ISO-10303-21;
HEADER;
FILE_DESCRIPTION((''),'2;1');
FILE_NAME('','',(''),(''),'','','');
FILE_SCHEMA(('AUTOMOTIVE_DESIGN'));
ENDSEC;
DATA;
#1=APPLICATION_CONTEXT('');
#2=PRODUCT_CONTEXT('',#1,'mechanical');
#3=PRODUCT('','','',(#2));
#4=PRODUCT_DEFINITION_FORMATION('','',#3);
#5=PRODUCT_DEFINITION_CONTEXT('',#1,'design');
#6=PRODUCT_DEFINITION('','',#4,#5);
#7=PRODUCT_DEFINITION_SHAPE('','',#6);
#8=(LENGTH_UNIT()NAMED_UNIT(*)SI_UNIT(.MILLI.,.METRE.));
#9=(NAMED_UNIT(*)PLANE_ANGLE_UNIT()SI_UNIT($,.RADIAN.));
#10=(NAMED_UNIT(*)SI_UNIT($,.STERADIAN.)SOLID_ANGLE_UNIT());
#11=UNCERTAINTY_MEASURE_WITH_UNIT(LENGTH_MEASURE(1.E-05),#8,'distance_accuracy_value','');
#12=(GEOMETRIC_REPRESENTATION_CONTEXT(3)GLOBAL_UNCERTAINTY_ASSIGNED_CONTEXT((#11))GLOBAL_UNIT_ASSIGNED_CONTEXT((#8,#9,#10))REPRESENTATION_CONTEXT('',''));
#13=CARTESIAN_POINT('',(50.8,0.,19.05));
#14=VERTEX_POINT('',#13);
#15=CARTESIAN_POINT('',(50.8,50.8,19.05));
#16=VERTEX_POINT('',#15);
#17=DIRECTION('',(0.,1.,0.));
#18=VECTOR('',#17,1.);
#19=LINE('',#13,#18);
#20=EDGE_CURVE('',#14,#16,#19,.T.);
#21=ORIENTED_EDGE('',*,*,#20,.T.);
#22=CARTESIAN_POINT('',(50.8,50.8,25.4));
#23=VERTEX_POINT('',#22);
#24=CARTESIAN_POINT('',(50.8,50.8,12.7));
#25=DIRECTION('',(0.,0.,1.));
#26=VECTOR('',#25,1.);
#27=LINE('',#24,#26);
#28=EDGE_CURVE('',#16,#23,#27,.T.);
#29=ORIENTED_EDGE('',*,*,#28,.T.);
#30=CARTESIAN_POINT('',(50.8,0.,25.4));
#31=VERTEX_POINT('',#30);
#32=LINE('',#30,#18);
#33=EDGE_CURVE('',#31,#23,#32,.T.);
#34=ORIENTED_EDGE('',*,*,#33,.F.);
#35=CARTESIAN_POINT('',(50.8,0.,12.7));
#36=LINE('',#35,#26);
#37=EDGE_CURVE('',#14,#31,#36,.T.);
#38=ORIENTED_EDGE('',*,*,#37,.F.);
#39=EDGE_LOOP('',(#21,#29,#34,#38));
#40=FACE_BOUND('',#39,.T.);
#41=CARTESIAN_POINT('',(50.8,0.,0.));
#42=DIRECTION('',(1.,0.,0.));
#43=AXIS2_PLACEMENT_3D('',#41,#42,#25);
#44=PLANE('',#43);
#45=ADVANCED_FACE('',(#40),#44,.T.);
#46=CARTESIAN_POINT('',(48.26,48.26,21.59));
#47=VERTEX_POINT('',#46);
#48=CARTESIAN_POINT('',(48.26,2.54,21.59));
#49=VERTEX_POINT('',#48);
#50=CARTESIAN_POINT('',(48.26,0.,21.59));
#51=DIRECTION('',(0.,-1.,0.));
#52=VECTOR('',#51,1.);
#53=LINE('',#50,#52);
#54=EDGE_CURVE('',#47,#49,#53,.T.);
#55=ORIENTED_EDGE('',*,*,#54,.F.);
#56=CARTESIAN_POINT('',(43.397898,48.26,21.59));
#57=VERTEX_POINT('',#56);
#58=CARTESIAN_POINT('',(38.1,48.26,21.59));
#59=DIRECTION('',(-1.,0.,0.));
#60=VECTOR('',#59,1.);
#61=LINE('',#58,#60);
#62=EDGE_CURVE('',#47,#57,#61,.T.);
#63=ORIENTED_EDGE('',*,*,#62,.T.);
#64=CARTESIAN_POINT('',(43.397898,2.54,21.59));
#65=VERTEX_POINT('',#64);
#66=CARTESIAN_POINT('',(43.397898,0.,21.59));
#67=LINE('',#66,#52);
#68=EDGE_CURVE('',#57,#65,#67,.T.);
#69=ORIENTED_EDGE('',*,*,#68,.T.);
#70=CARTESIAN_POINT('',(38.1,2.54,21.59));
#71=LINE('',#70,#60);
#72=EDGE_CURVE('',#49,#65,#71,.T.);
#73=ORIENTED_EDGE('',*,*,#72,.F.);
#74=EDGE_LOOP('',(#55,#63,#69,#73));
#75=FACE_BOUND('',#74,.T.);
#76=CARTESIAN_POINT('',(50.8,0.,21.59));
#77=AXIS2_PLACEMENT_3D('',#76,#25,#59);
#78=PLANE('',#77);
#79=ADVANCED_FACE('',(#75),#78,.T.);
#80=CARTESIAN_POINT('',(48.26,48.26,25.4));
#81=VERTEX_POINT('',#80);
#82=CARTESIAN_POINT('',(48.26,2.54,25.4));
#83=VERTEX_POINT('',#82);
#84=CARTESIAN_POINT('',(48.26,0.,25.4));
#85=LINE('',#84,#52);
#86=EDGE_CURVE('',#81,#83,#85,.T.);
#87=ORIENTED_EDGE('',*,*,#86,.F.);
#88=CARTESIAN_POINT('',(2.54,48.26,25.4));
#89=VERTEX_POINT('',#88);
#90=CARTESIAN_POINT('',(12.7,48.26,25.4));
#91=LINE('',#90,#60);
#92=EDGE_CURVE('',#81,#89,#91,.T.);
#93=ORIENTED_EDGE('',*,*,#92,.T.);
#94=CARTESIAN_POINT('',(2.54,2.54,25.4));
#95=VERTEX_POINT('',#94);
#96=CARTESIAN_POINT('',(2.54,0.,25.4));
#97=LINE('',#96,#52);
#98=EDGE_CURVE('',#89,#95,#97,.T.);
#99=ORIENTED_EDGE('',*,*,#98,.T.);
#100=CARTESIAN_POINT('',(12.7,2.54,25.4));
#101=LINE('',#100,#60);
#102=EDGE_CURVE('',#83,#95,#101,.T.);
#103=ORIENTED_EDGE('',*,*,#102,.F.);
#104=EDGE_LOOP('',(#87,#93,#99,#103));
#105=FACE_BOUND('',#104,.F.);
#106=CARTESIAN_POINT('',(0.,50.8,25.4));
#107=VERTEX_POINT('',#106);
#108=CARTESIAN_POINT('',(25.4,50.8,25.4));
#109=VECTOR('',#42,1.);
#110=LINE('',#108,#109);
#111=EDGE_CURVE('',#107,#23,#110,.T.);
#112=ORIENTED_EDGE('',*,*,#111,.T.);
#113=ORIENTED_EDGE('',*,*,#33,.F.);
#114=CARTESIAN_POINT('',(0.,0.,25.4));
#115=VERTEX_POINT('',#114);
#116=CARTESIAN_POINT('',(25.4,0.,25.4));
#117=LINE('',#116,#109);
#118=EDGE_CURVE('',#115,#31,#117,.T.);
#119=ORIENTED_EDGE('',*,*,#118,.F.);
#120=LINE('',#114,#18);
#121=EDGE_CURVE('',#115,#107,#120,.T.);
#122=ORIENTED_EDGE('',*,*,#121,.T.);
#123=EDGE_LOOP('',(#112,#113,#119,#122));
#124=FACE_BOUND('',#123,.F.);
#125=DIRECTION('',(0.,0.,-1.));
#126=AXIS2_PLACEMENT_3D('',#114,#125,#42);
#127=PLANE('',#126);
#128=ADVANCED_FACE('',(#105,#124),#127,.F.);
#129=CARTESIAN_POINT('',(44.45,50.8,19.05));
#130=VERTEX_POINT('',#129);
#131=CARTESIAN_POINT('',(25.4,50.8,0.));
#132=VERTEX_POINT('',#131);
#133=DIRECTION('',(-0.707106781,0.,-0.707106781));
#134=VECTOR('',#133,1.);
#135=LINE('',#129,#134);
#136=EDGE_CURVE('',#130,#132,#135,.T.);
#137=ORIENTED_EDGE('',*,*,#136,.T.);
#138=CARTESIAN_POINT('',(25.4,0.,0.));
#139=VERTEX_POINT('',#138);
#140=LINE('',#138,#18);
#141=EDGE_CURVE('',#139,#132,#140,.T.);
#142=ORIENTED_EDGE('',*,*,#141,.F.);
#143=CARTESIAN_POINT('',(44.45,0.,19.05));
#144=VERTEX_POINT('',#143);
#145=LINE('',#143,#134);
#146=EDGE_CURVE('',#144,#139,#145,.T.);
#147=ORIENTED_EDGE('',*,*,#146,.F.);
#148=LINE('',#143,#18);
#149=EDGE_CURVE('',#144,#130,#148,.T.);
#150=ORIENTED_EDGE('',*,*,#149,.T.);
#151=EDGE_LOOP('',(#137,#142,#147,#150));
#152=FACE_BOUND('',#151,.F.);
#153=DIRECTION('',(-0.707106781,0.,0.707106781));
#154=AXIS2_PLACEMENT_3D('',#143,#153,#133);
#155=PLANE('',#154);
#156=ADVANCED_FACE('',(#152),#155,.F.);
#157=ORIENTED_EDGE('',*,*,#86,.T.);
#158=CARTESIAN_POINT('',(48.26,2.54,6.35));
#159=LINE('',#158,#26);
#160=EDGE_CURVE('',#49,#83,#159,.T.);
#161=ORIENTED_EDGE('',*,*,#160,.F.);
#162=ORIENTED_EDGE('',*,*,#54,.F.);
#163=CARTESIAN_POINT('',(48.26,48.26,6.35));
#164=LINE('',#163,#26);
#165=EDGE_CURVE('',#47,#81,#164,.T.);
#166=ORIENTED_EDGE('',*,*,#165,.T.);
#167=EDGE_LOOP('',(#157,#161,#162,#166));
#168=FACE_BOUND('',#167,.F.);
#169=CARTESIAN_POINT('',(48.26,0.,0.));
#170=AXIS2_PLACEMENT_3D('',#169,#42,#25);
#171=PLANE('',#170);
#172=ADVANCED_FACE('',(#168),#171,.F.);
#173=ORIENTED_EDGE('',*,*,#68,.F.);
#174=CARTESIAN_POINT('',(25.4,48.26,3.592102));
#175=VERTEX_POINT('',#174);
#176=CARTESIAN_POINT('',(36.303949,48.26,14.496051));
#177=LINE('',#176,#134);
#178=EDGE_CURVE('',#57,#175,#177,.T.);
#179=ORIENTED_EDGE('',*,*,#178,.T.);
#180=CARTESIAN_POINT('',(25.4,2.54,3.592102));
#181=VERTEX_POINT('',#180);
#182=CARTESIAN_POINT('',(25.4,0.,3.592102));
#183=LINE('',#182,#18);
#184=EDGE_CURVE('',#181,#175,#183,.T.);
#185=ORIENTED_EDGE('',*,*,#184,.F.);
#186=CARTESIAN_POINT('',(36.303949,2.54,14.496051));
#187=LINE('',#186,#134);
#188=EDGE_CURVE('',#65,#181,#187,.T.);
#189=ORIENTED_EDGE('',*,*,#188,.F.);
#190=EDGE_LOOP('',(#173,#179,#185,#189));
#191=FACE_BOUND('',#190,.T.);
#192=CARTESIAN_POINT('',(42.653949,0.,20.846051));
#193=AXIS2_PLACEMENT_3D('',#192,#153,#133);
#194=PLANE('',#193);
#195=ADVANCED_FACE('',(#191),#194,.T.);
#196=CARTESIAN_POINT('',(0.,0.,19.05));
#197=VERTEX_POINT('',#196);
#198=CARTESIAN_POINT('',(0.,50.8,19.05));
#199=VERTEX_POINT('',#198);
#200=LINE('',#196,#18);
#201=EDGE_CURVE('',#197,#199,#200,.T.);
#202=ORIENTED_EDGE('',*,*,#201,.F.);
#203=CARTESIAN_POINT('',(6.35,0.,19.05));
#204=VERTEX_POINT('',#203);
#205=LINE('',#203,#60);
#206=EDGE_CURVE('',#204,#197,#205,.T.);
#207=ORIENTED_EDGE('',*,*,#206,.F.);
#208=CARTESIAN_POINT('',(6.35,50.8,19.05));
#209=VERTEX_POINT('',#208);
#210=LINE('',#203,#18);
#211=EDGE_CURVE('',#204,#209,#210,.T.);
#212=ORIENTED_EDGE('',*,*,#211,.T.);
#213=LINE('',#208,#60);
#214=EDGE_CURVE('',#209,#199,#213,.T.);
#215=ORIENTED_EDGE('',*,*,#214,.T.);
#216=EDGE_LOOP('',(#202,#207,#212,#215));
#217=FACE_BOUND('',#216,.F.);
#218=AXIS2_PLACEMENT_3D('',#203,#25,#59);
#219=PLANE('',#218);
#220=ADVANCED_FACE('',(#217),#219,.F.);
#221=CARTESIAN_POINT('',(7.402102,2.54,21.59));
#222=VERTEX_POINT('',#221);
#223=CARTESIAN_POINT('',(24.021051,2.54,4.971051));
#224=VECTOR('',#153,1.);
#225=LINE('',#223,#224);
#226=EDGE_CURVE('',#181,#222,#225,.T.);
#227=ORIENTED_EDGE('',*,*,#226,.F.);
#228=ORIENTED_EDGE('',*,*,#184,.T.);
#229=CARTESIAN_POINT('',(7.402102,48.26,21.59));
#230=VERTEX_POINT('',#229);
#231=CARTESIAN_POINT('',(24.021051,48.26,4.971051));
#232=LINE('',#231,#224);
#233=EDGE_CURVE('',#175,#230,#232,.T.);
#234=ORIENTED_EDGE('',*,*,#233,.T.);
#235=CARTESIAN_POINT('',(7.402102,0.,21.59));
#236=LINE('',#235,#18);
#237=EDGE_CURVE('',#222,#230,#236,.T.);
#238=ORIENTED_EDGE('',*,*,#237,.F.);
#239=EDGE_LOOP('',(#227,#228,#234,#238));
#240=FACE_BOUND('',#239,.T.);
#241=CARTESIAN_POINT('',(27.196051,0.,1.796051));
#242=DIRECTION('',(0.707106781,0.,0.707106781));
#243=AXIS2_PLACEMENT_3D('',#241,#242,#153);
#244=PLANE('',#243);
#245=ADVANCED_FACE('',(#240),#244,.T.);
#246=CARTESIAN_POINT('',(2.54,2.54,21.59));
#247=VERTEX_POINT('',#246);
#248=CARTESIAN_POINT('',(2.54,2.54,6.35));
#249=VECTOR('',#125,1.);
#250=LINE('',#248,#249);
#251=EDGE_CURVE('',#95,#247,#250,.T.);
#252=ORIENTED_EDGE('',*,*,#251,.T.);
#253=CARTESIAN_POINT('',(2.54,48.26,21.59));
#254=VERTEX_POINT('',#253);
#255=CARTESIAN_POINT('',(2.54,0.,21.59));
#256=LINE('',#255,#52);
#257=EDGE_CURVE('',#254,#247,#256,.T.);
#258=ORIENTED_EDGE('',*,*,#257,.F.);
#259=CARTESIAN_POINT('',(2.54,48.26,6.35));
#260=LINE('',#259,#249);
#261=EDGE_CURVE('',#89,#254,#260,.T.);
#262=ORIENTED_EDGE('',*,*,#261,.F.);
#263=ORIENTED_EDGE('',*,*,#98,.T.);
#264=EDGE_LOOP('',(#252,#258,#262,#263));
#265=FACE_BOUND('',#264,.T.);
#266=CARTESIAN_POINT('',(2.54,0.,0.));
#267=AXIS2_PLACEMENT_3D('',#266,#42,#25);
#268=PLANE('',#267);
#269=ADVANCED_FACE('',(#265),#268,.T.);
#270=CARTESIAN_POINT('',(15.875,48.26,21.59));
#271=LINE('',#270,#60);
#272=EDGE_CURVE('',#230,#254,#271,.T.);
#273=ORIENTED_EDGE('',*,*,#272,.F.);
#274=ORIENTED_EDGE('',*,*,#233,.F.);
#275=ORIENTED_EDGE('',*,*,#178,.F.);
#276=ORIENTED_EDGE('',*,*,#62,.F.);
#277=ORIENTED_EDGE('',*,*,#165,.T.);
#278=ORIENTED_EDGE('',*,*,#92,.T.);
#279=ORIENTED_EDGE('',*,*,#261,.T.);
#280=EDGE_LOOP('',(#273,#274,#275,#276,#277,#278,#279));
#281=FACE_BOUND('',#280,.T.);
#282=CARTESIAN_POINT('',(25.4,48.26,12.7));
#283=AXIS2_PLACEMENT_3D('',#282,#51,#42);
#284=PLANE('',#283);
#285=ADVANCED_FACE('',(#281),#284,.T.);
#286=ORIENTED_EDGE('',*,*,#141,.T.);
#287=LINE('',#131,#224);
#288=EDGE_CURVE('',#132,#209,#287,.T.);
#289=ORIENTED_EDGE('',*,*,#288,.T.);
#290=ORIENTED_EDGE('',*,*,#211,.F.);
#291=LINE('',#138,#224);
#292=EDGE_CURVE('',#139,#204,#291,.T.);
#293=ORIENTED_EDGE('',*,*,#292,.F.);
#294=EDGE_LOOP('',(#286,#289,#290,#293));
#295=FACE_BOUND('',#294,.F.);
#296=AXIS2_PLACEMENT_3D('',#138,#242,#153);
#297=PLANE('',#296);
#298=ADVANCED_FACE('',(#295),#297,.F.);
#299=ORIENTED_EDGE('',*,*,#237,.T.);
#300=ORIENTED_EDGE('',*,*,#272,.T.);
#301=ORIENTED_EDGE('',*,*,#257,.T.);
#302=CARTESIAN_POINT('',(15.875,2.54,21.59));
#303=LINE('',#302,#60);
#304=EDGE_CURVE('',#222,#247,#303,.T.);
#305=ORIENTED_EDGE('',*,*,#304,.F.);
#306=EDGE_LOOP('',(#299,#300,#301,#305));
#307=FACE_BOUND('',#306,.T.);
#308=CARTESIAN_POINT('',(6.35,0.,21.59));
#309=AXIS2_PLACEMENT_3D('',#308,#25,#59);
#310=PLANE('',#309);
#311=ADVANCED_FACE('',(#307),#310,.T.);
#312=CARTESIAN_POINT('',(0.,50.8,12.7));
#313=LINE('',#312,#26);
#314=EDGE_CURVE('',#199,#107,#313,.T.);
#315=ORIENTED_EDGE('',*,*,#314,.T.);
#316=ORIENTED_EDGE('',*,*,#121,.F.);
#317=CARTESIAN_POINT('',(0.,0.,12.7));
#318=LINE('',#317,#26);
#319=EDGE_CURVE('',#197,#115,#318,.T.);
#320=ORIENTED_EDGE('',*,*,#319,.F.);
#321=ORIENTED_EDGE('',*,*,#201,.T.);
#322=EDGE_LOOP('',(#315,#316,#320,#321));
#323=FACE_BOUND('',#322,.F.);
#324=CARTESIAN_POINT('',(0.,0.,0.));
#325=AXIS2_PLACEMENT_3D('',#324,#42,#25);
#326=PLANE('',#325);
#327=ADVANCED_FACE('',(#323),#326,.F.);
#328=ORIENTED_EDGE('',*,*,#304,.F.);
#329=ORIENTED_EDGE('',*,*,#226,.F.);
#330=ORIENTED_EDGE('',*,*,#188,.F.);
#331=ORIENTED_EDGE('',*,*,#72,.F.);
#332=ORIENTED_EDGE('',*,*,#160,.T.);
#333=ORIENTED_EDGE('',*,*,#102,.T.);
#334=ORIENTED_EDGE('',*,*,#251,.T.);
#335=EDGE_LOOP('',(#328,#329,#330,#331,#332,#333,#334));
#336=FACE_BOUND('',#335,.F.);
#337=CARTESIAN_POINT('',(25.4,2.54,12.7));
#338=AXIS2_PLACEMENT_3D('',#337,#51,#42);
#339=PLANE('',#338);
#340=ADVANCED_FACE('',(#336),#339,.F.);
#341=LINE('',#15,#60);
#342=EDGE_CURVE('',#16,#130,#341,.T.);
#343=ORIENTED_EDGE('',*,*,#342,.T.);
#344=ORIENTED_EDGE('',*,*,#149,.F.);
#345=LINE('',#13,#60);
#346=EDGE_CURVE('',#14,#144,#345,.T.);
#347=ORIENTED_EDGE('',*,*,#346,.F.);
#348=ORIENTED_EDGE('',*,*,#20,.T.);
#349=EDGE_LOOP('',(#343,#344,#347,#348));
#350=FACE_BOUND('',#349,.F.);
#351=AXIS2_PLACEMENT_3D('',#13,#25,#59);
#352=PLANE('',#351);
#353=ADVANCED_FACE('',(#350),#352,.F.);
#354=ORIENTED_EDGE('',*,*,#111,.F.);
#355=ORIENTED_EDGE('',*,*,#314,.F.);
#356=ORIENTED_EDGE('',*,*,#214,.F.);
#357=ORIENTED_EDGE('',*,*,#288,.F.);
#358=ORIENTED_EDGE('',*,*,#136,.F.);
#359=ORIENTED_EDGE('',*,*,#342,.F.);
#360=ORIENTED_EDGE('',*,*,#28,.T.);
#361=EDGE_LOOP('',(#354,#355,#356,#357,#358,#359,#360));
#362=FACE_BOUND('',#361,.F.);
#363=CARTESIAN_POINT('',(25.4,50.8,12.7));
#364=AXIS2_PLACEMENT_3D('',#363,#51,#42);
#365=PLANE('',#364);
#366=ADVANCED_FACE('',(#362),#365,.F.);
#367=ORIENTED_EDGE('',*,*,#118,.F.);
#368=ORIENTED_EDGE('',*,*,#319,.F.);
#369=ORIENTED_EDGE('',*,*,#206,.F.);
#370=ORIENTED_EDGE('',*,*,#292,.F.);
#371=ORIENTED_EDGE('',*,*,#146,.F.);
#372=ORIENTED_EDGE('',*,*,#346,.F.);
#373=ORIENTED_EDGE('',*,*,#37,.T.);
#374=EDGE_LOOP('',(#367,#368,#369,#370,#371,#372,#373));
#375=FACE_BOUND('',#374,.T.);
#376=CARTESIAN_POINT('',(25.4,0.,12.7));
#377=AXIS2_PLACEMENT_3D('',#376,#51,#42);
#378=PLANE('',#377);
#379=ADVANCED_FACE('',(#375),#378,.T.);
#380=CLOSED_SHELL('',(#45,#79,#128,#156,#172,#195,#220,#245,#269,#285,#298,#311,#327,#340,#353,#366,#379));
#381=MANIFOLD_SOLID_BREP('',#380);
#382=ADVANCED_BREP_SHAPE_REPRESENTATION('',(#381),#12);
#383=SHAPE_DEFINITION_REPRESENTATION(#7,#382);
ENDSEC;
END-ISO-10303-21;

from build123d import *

# Parameters (mm, degrees)
F0_W     = 50.8
F0_H     = 25.4
F1_DEPTH = 50.8
F3_DEPTH = 50.8
F5_DEPTH = 50.8
F6_T     = -2.54


with BuildPart() as f1:
    # F0 (on Front) → F1 (new body)
    with BuildSketch(Plane.XZ):
        with Locations((25.4, 12.7)):
            Rectangle(F0_W, F0_H)
    extrude(amount=-F1_DEPTH)

    # F2 (on face) → F3 (cut)
    with BuildSketch(Plane.XZ):
        Polygon((0, 19.05), (0, 0), (25.4, 0), (6.35, 19.05), align=None)
    extrude(amount=-F3_DEPTH, mode=Mode.SUBTRACT)

    # F4 (on face) → F5 (cut)
    with BuildSketch(Plane.XZ):
        Polygon((25.4, 0), (50.8, 0), (50.8, 19.05), (44.45, 19.05), align=None)
    extrude(amount=-F5_DEPTH, mode=Mode.SUBTRACT)

    # F6
    f6_openings = [f1.faces().sort_by_distance(p)[0] for p in [
        (25.4, 25.4, 25.4),
    ]]
    offset(amount=F6_T, openings=f6_openings, kind=Kind.INTERSECTION)


solid = f1.part
